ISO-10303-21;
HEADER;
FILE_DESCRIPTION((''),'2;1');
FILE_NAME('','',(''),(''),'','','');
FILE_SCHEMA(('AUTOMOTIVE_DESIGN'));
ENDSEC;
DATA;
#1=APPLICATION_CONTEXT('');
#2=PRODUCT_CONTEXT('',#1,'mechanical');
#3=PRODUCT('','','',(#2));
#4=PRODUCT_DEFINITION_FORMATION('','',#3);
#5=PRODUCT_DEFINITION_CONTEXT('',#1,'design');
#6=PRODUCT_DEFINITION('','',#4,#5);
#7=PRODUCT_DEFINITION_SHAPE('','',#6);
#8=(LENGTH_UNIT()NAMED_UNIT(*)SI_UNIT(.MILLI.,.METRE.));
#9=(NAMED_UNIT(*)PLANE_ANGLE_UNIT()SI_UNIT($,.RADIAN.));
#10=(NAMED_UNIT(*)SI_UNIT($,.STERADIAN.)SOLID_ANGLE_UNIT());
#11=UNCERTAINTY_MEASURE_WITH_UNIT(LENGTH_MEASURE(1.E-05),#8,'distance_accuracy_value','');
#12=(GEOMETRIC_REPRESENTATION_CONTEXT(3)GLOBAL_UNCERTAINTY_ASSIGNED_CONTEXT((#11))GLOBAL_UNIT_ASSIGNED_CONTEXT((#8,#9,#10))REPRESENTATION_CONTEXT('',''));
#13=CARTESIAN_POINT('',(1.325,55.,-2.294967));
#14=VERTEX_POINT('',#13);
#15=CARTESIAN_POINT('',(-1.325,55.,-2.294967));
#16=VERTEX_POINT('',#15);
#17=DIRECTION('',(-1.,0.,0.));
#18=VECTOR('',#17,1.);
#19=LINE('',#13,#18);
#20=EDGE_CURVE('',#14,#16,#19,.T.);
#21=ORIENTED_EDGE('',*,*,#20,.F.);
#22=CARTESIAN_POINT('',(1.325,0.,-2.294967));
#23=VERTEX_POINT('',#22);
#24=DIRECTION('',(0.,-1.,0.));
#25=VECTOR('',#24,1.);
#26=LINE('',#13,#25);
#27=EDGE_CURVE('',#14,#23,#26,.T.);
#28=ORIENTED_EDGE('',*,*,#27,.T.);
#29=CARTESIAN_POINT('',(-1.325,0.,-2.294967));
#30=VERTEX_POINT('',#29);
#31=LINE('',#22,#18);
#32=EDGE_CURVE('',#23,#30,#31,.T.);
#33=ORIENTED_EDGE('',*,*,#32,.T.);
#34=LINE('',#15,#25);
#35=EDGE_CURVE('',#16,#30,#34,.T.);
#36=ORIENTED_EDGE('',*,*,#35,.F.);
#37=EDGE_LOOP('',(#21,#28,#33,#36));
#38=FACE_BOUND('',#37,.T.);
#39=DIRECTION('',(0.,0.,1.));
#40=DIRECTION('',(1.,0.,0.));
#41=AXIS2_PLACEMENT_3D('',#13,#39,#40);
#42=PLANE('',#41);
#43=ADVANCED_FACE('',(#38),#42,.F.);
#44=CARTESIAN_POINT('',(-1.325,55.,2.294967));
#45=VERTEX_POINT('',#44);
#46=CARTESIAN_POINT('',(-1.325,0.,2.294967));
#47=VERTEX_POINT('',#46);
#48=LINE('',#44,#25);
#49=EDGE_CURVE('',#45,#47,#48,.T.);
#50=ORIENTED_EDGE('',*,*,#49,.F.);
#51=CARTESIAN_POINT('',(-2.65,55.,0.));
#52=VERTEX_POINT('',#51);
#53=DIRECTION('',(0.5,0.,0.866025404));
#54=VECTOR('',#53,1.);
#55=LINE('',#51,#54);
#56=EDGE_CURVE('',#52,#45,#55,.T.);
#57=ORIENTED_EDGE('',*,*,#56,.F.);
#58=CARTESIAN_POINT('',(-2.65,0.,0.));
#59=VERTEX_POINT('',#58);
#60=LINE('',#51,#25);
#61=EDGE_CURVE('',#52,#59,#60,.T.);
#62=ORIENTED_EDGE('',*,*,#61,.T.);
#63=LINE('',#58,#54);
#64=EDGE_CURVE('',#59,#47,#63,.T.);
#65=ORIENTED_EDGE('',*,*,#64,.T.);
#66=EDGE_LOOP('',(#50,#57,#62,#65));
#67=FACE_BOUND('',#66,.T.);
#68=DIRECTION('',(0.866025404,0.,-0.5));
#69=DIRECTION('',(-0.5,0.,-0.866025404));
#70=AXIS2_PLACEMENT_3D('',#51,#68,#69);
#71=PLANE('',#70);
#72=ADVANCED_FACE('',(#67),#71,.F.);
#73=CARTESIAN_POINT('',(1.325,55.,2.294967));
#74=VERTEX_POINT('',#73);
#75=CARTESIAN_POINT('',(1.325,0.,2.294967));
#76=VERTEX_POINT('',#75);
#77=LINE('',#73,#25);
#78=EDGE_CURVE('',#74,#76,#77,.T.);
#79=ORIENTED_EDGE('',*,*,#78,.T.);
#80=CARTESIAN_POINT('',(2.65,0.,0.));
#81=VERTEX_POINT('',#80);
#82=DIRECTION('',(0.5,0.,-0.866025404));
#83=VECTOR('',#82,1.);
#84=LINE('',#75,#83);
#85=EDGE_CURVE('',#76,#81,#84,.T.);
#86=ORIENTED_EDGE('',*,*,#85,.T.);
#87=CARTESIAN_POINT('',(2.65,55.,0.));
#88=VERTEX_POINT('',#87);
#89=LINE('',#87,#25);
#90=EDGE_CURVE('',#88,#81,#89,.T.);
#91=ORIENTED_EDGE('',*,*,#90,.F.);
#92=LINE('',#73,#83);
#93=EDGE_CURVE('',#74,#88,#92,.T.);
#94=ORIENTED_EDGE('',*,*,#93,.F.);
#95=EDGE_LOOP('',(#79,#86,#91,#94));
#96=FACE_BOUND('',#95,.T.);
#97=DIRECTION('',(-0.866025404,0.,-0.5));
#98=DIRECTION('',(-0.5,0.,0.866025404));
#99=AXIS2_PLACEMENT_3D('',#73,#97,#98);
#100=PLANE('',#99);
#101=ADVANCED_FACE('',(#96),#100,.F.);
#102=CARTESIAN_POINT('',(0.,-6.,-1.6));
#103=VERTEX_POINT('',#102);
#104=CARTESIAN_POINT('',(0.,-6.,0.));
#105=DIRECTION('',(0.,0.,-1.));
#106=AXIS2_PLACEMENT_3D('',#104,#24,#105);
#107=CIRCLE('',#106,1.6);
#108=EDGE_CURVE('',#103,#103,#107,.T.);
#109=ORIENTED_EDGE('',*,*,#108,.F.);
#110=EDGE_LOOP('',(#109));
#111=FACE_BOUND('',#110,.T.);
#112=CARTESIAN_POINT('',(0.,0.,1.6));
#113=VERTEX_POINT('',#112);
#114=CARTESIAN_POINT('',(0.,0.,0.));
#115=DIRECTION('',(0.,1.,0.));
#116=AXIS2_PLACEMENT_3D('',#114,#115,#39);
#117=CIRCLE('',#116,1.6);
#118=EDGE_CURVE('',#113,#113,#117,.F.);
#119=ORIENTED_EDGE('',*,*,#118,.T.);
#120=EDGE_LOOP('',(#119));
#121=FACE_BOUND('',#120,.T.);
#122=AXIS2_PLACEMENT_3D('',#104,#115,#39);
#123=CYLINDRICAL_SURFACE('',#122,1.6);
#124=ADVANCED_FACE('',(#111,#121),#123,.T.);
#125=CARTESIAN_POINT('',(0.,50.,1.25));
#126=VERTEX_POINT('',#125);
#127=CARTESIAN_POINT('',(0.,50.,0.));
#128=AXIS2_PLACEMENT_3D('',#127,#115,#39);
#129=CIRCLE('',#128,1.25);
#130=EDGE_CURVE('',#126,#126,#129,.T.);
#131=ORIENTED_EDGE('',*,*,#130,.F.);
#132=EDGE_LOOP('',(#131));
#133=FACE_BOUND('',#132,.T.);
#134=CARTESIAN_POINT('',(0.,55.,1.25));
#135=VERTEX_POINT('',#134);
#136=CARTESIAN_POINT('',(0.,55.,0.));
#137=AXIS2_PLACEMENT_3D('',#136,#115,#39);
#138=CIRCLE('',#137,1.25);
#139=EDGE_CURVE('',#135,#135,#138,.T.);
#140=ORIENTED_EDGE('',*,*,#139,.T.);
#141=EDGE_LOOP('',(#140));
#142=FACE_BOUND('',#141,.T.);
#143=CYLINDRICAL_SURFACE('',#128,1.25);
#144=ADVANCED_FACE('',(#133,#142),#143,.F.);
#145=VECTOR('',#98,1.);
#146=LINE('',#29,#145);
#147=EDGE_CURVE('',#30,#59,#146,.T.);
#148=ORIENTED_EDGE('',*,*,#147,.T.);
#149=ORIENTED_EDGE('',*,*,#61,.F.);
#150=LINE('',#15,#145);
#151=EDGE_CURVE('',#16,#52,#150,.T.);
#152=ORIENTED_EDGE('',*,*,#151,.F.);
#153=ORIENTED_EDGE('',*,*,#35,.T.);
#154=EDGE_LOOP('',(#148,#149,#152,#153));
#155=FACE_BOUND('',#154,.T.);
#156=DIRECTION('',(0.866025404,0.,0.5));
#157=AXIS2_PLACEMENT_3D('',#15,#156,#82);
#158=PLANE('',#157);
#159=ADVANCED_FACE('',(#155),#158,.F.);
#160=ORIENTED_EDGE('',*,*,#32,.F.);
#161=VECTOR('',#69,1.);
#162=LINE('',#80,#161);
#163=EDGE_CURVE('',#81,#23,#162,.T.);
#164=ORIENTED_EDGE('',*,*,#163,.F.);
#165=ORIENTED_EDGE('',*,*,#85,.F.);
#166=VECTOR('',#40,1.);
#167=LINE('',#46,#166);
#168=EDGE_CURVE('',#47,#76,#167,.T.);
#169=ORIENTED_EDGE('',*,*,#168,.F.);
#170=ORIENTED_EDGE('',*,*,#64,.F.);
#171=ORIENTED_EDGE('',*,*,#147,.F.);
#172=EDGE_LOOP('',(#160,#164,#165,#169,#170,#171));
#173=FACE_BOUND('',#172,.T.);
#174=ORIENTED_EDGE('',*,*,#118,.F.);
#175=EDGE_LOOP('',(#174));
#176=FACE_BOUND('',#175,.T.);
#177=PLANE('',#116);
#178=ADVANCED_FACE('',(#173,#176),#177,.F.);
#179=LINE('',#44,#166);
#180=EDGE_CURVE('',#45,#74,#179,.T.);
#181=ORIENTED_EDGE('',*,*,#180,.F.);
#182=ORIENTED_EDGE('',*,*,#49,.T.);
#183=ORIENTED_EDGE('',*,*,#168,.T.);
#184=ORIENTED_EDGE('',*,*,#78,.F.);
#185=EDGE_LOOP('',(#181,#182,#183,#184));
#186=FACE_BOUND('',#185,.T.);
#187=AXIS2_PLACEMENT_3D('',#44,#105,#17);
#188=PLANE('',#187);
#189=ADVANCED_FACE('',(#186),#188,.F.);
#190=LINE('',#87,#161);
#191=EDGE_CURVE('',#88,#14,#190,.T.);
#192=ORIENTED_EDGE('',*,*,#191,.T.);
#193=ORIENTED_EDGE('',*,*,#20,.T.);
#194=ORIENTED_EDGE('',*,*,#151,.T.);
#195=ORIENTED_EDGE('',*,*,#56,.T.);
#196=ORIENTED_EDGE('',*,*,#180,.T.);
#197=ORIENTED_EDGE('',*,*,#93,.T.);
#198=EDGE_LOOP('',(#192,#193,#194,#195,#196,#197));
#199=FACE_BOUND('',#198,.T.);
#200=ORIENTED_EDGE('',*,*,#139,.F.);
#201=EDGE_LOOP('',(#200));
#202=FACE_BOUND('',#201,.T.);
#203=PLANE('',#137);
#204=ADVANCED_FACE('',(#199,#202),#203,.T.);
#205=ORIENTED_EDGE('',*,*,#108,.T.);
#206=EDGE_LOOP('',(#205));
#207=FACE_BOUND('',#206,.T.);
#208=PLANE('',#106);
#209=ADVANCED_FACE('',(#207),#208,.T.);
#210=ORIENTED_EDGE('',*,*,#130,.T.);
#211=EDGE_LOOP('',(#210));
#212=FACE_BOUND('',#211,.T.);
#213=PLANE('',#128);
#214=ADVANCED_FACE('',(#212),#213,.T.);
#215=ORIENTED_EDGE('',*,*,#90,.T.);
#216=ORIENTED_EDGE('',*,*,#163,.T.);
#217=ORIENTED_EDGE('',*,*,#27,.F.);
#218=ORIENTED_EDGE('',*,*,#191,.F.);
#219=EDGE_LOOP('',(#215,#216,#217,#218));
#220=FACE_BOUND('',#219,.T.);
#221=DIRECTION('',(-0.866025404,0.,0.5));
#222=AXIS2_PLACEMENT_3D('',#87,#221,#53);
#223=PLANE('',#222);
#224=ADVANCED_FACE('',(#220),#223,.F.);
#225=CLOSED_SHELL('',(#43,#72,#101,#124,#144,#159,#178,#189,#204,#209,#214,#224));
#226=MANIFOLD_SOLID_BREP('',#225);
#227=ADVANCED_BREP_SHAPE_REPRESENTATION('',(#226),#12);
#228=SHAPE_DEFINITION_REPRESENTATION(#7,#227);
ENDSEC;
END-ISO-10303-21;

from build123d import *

# Parameters (mm, degrees)
EXTRUDE_1_DEPTH     = 55
SKETCH_6_R          = 1.6
EXTRUDE_2_DEPTH     = 6
SKETCH_7_R          = 1.25
CUT_EXTRUDE_1_DEPTH = 5


with BuildPart() as part:
    # 草图4 → 凸台-拉伸1 (new body)
    with BuildSketch(Plane(origin=(0, 0, 0), x_dir=(1, 0, 0), z_dir=(0, 1, 0))):
        Polygon((1.325, -2.29496732), (2.65, 0), (1.325, 2.29496732), (-1.325, 2.29496732), (-2.65, 0), (-1.325, -2.29496732), align=None)
    extrude(amount=EXTRUDE_1_DEPTH)

    # 草图6 → 凸台-拉伸2 (add)
    with BuildSketch(Plane(origin=(0, 0, 0), x_dir=(-1, 0, 0), z_dir=(0, -1, 0))):
        with Locations(Location((0, 0, 0), (0, 0, 270))):
            Circle(SKETCH_6_R)
    extrude(amount=EXTRUDE_2_DEPTH)

    # 草图7 → 切除-拉伸1 (cut)
    with BuildSketch(Plane(origin=(0, 55, 0), x_dir=(1, 0, 0), z_dir=(0, 1, 0))):
        with Locations(Location((0, 0, 0), (0, 0, 270))):
            Circle(SKETCH_7_R)
    extrude(amount=-CUT_EXTRUDE_1_DEPTH, mode=Mode.SUBTRACT)


solid = part.part
